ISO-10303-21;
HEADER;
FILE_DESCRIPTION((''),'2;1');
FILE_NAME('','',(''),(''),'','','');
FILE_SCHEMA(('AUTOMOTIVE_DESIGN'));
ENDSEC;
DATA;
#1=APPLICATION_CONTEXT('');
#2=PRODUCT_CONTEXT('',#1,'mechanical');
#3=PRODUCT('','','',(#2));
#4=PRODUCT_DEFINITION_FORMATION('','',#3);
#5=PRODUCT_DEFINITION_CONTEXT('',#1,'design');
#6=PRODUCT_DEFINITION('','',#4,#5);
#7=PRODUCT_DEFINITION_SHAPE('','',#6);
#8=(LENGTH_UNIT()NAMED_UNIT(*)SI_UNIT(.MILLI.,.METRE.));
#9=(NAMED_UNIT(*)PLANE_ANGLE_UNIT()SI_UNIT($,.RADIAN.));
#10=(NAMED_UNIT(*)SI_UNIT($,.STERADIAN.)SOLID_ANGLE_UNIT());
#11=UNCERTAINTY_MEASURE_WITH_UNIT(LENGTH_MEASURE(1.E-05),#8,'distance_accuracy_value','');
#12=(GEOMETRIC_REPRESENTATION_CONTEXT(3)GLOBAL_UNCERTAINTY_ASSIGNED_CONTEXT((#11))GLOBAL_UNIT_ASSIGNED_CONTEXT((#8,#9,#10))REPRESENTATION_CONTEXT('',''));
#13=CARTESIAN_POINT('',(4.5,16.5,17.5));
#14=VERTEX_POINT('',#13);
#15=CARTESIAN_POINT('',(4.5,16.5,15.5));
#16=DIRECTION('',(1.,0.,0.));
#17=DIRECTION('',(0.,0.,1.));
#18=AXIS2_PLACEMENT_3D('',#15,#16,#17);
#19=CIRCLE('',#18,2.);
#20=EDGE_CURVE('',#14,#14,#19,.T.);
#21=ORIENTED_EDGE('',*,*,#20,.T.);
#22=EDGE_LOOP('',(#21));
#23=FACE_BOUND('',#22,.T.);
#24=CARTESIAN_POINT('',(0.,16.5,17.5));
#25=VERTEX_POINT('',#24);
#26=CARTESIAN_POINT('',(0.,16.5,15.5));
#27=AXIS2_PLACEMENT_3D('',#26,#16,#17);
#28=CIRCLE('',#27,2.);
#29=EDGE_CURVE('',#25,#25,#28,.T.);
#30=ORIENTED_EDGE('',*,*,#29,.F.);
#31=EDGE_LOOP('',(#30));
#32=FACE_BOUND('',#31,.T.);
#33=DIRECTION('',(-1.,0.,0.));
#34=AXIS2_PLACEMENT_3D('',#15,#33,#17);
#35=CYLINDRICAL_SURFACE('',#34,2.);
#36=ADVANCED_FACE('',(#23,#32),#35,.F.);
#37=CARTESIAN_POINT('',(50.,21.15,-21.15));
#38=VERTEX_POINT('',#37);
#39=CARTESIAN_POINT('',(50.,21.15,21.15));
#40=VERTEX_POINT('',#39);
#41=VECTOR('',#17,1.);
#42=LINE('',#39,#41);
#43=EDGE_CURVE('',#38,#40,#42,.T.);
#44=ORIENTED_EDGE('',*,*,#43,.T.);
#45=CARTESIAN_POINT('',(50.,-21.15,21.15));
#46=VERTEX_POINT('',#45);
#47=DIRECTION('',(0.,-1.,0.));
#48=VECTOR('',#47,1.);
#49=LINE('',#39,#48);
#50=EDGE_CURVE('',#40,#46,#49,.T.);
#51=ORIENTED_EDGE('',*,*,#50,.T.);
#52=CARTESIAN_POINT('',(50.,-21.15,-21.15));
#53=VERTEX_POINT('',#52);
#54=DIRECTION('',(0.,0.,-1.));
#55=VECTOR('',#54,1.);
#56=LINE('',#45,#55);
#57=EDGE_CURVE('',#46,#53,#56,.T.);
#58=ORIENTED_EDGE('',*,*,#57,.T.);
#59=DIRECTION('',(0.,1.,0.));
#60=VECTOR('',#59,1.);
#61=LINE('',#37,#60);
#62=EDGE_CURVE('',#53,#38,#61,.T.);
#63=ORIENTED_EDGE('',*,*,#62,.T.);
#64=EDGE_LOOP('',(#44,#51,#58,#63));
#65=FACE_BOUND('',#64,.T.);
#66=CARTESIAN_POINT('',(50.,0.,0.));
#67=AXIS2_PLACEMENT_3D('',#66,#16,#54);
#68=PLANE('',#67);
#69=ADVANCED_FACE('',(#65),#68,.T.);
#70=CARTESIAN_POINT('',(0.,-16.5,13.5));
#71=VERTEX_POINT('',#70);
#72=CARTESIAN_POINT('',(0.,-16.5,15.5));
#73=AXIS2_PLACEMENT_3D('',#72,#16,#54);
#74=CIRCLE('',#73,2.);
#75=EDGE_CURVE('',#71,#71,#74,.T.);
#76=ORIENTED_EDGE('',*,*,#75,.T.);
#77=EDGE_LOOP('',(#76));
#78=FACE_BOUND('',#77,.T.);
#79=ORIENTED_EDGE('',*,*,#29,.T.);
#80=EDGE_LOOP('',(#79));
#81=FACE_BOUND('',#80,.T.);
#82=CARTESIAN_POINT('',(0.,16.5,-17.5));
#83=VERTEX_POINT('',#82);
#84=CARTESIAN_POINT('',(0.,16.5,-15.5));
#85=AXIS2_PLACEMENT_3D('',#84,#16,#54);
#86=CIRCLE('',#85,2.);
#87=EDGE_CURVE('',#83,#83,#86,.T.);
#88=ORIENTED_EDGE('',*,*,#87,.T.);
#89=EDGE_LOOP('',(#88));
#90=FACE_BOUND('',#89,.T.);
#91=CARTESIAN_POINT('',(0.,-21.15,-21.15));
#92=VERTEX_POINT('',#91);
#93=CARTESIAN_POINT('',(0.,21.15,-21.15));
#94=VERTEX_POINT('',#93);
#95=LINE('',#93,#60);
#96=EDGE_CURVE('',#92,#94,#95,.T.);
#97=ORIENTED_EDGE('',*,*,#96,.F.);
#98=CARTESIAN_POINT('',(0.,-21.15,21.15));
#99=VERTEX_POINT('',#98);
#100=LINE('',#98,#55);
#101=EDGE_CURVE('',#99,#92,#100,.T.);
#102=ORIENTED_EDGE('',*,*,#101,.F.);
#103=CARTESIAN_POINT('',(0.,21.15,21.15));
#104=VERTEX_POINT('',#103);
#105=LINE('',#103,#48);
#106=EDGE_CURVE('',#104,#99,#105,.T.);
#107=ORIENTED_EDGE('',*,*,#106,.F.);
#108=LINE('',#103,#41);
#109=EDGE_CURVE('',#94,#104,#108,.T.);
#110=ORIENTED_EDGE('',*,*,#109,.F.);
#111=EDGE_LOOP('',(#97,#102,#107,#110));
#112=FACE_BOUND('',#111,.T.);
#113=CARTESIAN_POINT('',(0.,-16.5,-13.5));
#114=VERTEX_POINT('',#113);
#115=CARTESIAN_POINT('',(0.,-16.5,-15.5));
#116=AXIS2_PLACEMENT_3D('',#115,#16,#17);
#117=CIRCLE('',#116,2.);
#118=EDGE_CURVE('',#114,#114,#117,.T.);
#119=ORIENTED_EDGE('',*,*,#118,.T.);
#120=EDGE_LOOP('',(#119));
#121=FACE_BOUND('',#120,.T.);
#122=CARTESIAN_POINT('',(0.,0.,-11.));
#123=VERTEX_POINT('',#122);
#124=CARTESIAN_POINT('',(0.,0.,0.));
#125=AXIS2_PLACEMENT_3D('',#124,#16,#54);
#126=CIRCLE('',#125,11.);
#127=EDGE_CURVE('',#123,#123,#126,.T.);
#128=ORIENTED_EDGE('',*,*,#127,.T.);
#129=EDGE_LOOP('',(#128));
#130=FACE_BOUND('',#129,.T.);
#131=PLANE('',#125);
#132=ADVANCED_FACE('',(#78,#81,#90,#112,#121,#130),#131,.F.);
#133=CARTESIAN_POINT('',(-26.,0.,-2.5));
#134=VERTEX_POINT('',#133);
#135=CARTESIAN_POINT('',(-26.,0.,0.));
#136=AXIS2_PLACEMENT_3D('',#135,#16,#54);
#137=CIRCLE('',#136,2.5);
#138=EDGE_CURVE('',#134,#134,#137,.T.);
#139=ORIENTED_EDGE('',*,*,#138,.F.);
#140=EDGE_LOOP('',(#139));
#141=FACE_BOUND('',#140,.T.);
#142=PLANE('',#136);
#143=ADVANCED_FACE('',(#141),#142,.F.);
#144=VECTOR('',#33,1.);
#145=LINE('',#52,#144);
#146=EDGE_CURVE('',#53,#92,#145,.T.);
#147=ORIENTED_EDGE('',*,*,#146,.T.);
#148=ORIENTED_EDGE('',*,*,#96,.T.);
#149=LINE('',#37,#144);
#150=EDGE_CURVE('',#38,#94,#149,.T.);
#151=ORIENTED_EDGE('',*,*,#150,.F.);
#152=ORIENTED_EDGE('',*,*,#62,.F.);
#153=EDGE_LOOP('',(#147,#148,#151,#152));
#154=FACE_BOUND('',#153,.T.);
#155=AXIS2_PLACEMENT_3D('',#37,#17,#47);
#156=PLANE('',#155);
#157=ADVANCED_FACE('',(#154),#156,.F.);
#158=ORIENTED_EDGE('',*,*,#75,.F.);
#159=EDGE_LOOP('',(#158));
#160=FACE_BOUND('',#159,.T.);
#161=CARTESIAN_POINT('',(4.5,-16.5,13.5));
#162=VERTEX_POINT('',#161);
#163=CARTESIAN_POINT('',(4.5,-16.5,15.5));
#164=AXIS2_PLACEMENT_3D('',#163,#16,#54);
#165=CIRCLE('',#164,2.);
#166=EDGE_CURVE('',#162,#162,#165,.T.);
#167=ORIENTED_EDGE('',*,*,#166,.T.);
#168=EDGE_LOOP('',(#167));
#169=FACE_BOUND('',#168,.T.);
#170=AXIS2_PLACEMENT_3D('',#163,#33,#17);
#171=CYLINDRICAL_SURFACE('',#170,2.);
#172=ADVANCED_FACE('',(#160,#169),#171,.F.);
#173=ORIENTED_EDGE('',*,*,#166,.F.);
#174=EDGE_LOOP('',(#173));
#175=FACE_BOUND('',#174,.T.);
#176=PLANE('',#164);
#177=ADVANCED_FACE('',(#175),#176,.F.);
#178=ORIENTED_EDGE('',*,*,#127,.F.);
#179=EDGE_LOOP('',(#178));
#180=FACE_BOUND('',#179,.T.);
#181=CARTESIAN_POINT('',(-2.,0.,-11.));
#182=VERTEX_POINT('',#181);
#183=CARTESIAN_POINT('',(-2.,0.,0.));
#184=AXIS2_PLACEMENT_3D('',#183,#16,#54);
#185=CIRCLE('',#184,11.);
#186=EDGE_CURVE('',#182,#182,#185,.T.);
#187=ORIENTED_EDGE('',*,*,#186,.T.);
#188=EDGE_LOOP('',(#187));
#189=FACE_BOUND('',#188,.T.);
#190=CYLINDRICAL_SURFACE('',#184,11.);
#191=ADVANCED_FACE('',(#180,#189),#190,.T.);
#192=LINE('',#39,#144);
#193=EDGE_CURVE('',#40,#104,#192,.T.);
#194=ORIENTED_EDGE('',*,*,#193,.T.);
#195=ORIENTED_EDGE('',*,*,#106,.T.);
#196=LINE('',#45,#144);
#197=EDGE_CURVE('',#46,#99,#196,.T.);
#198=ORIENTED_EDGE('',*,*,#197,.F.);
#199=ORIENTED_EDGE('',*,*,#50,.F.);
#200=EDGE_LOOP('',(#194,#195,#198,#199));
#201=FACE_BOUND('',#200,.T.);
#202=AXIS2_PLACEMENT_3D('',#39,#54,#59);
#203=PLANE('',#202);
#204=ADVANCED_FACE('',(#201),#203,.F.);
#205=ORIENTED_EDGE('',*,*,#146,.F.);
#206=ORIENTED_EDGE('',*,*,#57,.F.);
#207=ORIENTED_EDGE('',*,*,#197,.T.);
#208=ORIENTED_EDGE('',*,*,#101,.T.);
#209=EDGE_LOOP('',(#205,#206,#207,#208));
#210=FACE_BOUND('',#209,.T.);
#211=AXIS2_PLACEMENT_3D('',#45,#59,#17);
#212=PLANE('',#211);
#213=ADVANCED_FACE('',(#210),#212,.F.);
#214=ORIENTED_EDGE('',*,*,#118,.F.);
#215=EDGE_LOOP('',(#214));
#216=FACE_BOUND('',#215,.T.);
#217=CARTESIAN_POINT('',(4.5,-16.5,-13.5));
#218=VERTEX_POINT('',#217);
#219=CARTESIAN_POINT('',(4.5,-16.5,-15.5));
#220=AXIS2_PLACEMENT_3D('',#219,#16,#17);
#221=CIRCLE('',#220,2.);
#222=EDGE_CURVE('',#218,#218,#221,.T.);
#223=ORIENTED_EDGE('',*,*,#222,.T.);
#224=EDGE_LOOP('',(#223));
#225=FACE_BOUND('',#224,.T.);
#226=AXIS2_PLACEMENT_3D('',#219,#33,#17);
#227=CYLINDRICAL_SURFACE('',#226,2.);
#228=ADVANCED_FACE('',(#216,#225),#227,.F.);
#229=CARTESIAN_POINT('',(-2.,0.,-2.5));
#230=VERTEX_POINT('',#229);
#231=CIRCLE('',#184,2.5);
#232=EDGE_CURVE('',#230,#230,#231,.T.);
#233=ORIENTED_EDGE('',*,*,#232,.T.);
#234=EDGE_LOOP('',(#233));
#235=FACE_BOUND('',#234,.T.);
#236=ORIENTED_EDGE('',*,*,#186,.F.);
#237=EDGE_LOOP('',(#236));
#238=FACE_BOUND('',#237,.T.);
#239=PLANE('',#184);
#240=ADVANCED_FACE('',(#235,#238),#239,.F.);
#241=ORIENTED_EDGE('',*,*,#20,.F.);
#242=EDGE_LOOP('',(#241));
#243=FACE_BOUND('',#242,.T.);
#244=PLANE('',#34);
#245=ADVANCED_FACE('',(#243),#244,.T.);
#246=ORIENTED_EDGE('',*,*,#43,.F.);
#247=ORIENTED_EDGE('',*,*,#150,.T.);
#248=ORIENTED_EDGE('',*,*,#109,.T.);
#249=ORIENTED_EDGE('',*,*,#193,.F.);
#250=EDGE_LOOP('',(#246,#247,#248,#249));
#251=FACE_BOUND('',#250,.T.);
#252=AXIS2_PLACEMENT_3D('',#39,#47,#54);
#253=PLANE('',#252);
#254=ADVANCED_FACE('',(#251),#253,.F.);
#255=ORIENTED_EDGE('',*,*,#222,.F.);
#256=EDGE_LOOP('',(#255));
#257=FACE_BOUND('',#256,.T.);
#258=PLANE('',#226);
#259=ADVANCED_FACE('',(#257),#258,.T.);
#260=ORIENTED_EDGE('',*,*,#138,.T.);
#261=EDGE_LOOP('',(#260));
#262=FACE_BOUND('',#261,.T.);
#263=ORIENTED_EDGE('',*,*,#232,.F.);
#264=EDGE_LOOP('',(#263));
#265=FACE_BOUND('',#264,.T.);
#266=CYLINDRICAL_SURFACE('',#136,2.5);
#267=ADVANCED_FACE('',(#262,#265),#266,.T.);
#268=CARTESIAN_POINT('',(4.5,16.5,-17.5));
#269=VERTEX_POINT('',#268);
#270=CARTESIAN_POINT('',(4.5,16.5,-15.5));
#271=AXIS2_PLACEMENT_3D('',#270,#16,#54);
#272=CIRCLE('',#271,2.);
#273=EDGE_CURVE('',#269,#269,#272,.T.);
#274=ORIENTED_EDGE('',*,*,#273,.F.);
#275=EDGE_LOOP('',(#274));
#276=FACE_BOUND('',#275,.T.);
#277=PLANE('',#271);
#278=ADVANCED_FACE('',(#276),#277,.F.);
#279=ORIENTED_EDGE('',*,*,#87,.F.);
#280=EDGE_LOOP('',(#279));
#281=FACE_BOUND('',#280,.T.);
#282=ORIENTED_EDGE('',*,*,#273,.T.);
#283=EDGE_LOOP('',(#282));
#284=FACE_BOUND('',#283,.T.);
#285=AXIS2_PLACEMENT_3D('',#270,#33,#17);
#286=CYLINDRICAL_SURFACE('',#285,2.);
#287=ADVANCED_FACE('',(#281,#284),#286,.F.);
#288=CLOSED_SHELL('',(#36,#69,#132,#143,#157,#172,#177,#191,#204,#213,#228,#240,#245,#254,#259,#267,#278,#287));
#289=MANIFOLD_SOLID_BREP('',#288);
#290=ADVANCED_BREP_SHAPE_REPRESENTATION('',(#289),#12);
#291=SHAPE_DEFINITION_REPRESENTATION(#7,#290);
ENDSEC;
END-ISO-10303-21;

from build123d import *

# Parameters (mm, degrees)
SKETCH1_W           = 42.3
SKETCH1_H           = 42.3
BOSS_EXTRUDE1_DEPTH = 50
SKETCH2_R           = 11
BOSS_EXTRUDE2_DEPTH = 2
BOSS_EXTRUDE3_START = -2
SKETCH3_R           = 2.5
BOSS_EXTRUDE3_DEPTH = 24
SKETCH4_R           = 2
CUT_EXTRUDE1_DEPTH  = 4.5


with BuildPart() as part:
    # Sketch1 → Boss-Extrude1 (new body)
    with BuildSketch(Plane(origin=(0, 0, 0), x_dir=(0, 0, -1), z_dir=(1, 0, 0))):
        Rectangle(SKETCH1_W, SKETCH1_H)
    extrude(amount=BOSS_EXTRUDE1_DEPTH)

    # Sketch2 → Boss-Extrude2 (add)
    with BuildSketch(Plane(origin=(0, 0, 0), x_dir=(0, 0, -1), z_dir=(1, 0, 0))):
        Circle(SKETCH2_R)
    extrude(amount=-BOSS_EXTRUDE2_DEPTH)

    # Sketch3 → Boss-Extrude3 (add)
    with BuildSketch(Plane(origin=(0, 0, 0), x_dir=(0, 0, -1), z_dir=(1, 0, 0)).offset(BOSS_EXTRUDE3_START)):
        Circle(SKETCH3_R)
    extrude(amount=-BOSS_EXTRUDE3_DEPTH)

    # Sketch4 → Cut-Extrude1 (cut)
    with BuildSketch(Plane(origin=(0, 0, 0), x_dir=(0, 0, -1), z_dir=(1, 0, 0))):
        with Locations((15.5, 16.5)):
            Circle(SKETCH4_R)
        with Locations((15.5, -16.5)):
            Circle(SKETCH4_R)
        with Locations((-15.5, -16.5)):
            Circle(SKETCH4_R)
        with Locations((-15.5, 16.5)):
            Circle(SKETCH4_R)
    extrude(amount=CUT_EXTRUDE1_DEPTH, mode=Mode.SUBTRACT)


solid = part.part
